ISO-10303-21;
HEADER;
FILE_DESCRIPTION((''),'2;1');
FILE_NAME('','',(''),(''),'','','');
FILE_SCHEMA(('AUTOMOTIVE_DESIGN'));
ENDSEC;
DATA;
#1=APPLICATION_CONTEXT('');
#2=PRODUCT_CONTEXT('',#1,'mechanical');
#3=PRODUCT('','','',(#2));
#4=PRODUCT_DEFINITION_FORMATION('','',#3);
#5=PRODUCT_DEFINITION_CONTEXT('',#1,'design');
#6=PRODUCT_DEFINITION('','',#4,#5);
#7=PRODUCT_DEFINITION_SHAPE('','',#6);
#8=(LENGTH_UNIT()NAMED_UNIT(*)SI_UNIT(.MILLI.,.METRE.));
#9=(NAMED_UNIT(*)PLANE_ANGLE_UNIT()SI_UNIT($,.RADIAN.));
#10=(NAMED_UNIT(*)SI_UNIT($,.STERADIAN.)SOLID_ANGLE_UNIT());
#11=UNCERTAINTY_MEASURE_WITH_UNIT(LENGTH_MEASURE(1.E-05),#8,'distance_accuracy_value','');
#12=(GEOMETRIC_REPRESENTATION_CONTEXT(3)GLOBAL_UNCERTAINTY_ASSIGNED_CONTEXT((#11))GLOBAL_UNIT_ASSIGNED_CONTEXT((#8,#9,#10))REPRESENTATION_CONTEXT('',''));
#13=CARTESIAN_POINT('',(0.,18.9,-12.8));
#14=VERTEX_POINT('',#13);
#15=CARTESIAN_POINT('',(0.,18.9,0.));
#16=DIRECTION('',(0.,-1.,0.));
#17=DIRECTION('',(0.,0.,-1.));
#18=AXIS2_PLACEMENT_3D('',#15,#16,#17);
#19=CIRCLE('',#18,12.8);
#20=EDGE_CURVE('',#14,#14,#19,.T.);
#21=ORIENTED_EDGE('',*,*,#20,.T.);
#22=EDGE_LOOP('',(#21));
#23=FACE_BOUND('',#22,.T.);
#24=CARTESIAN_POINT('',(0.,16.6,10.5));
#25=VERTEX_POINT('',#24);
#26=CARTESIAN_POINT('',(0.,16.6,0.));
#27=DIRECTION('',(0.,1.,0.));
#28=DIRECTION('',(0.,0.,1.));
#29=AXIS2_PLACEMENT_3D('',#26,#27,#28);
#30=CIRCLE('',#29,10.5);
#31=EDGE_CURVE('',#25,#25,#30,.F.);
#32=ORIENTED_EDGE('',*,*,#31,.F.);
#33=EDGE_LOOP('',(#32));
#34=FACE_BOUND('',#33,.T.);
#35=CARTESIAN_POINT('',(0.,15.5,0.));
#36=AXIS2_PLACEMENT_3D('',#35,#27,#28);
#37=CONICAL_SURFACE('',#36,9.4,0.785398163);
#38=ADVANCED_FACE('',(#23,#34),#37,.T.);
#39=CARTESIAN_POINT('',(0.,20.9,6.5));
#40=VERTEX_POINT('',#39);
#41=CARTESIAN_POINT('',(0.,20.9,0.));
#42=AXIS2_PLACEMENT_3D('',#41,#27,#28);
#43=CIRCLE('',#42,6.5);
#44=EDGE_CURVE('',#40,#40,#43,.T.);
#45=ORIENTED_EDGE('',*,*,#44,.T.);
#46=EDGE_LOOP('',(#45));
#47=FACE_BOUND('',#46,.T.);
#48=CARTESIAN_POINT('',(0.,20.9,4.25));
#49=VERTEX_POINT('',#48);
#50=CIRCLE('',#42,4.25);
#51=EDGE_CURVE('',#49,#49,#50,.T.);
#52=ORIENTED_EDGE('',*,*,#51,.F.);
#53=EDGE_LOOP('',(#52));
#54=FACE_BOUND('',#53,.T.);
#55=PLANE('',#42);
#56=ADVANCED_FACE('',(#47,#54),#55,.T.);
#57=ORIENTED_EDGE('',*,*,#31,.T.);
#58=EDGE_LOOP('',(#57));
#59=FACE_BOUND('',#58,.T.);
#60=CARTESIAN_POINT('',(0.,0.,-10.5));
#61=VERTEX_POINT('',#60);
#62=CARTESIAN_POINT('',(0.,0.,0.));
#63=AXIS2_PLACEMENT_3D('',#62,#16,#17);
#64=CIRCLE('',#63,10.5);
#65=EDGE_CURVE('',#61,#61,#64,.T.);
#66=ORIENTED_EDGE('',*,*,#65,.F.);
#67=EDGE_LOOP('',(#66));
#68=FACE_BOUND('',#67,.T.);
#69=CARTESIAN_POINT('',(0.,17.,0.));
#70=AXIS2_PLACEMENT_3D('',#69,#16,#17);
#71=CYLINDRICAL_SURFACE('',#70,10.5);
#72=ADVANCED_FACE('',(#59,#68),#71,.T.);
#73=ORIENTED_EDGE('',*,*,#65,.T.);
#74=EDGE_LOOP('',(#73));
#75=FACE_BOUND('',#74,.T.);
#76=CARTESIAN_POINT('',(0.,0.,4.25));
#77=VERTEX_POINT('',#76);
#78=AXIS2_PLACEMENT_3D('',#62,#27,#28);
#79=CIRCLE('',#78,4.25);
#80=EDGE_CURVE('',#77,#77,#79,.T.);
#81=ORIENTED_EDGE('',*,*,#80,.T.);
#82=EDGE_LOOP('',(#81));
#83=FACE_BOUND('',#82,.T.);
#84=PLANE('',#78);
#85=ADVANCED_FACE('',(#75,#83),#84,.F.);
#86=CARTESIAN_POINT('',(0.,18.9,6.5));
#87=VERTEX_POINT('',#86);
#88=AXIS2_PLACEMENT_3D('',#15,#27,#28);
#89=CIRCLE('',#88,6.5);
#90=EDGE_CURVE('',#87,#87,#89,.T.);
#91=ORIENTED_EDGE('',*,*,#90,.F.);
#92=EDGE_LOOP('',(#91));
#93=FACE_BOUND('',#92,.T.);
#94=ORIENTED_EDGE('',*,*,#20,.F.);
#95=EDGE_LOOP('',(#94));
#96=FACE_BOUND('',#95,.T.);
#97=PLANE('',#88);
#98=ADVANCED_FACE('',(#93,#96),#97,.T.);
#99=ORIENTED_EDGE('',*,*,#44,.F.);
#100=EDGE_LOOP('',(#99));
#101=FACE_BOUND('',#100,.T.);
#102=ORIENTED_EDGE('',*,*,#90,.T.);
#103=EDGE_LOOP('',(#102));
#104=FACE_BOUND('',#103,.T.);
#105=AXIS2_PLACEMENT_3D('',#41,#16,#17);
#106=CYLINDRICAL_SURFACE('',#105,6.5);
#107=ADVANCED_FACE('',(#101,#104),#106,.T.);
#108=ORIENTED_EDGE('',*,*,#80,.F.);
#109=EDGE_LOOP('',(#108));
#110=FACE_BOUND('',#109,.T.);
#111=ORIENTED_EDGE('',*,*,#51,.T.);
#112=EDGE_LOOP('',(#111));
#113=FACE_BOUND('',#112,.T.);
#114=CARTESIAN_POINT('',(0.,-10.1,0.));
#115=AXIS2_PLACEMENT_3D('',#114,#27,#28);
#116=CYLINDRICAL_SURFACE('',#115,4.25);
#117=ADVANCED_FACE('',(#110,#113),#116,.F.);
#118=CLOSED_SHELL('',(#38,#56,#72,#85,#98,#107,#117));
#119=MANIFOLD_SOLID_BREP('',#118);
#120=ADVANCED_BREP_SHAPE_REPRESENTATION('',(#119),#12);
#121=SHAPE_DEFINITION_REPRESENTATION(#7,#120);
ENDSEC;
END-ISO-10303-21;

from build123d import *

# Parameters (mm, degrees)
SKETCH_1_R          = 9.4
EXTRUDE_1_DEPTH     = 15.5
SKETCH_3_R          = 6.5
EXTRUDE_2_DEPTH     = 2
SKETCH_5_R          = 10.5
EXTRUDE_4_DEPTH     = 17
SKETCH_4_R          = 4.25
CUT_EXTRUDE_1_DEPTH = 31


with BuildPart() as part:
    # 草图1 → 凸台-拉伸1 (new body)
    with BuildSketch(Plane(origin=(0, 0, 0), x_dir=(1, 0, 0), z_dir=(0, 1, 0))):
        with Locations(Location((0, 0, 0), (0, 0, 270))):
            Circle(SKETCH_1_R)
    extrude(amount=EXTRUDE_1_DEPTH)

    # 草图2 → 旋转1 (revolve)
    with BuildSketch(Plane.XY, mode=Mode.PRIVATE) as revolve_1_sk:
        Polygon((0, 18.9), (12.8, 18.9), (9.4, 15.5), (0, 15.5), align=None)
    revolve(revolve_1_sk.sketch.rotate(Axis((0, 15.5, 0), (0, 1, 0)), 270), axis=Axis((0, 15.5, 0), (0, 1, 0)))

    # 草图3 → 凸台-拉伸2 (add)
    with BuildSketch(Plane(origin=(0, 18.9, 0), x_dir=(1, 0, 0), z_dir=(0, 1, 0))):
        with Locations(Location((0, 0, 0), (0, 0, 270))):
            Circle(SKETCH_3_R)
    extrude(amount=EXTRUDE_2_DEPTH)

    # 草图5 → 凸台-拉伸4 (add)
    with BuildSketch(Plane.XZ):
        with Locations(Location((0, 0, 0), (0, 0, 270))):
            Circle(SKETCH_5_R)
    extrude(amount=-EXTRUDE_4_DEPTH)

    # 草图4 → 切除-拉伸1 (cut)
    with BuildSketch(Plane(origin=(0, 20.9, 0), x_dir=(1, 0, 0), z_dir=(0, 1, 0))):
        with Locations(Location((0, 0, 0), (0, 0, 270))):
            Circle(SKETCH_4_R)
    extrude(amount=-CUT_EXTRUDE_1_DEPTH, mode=Mode.SUBTRACT)


solid = part.part
